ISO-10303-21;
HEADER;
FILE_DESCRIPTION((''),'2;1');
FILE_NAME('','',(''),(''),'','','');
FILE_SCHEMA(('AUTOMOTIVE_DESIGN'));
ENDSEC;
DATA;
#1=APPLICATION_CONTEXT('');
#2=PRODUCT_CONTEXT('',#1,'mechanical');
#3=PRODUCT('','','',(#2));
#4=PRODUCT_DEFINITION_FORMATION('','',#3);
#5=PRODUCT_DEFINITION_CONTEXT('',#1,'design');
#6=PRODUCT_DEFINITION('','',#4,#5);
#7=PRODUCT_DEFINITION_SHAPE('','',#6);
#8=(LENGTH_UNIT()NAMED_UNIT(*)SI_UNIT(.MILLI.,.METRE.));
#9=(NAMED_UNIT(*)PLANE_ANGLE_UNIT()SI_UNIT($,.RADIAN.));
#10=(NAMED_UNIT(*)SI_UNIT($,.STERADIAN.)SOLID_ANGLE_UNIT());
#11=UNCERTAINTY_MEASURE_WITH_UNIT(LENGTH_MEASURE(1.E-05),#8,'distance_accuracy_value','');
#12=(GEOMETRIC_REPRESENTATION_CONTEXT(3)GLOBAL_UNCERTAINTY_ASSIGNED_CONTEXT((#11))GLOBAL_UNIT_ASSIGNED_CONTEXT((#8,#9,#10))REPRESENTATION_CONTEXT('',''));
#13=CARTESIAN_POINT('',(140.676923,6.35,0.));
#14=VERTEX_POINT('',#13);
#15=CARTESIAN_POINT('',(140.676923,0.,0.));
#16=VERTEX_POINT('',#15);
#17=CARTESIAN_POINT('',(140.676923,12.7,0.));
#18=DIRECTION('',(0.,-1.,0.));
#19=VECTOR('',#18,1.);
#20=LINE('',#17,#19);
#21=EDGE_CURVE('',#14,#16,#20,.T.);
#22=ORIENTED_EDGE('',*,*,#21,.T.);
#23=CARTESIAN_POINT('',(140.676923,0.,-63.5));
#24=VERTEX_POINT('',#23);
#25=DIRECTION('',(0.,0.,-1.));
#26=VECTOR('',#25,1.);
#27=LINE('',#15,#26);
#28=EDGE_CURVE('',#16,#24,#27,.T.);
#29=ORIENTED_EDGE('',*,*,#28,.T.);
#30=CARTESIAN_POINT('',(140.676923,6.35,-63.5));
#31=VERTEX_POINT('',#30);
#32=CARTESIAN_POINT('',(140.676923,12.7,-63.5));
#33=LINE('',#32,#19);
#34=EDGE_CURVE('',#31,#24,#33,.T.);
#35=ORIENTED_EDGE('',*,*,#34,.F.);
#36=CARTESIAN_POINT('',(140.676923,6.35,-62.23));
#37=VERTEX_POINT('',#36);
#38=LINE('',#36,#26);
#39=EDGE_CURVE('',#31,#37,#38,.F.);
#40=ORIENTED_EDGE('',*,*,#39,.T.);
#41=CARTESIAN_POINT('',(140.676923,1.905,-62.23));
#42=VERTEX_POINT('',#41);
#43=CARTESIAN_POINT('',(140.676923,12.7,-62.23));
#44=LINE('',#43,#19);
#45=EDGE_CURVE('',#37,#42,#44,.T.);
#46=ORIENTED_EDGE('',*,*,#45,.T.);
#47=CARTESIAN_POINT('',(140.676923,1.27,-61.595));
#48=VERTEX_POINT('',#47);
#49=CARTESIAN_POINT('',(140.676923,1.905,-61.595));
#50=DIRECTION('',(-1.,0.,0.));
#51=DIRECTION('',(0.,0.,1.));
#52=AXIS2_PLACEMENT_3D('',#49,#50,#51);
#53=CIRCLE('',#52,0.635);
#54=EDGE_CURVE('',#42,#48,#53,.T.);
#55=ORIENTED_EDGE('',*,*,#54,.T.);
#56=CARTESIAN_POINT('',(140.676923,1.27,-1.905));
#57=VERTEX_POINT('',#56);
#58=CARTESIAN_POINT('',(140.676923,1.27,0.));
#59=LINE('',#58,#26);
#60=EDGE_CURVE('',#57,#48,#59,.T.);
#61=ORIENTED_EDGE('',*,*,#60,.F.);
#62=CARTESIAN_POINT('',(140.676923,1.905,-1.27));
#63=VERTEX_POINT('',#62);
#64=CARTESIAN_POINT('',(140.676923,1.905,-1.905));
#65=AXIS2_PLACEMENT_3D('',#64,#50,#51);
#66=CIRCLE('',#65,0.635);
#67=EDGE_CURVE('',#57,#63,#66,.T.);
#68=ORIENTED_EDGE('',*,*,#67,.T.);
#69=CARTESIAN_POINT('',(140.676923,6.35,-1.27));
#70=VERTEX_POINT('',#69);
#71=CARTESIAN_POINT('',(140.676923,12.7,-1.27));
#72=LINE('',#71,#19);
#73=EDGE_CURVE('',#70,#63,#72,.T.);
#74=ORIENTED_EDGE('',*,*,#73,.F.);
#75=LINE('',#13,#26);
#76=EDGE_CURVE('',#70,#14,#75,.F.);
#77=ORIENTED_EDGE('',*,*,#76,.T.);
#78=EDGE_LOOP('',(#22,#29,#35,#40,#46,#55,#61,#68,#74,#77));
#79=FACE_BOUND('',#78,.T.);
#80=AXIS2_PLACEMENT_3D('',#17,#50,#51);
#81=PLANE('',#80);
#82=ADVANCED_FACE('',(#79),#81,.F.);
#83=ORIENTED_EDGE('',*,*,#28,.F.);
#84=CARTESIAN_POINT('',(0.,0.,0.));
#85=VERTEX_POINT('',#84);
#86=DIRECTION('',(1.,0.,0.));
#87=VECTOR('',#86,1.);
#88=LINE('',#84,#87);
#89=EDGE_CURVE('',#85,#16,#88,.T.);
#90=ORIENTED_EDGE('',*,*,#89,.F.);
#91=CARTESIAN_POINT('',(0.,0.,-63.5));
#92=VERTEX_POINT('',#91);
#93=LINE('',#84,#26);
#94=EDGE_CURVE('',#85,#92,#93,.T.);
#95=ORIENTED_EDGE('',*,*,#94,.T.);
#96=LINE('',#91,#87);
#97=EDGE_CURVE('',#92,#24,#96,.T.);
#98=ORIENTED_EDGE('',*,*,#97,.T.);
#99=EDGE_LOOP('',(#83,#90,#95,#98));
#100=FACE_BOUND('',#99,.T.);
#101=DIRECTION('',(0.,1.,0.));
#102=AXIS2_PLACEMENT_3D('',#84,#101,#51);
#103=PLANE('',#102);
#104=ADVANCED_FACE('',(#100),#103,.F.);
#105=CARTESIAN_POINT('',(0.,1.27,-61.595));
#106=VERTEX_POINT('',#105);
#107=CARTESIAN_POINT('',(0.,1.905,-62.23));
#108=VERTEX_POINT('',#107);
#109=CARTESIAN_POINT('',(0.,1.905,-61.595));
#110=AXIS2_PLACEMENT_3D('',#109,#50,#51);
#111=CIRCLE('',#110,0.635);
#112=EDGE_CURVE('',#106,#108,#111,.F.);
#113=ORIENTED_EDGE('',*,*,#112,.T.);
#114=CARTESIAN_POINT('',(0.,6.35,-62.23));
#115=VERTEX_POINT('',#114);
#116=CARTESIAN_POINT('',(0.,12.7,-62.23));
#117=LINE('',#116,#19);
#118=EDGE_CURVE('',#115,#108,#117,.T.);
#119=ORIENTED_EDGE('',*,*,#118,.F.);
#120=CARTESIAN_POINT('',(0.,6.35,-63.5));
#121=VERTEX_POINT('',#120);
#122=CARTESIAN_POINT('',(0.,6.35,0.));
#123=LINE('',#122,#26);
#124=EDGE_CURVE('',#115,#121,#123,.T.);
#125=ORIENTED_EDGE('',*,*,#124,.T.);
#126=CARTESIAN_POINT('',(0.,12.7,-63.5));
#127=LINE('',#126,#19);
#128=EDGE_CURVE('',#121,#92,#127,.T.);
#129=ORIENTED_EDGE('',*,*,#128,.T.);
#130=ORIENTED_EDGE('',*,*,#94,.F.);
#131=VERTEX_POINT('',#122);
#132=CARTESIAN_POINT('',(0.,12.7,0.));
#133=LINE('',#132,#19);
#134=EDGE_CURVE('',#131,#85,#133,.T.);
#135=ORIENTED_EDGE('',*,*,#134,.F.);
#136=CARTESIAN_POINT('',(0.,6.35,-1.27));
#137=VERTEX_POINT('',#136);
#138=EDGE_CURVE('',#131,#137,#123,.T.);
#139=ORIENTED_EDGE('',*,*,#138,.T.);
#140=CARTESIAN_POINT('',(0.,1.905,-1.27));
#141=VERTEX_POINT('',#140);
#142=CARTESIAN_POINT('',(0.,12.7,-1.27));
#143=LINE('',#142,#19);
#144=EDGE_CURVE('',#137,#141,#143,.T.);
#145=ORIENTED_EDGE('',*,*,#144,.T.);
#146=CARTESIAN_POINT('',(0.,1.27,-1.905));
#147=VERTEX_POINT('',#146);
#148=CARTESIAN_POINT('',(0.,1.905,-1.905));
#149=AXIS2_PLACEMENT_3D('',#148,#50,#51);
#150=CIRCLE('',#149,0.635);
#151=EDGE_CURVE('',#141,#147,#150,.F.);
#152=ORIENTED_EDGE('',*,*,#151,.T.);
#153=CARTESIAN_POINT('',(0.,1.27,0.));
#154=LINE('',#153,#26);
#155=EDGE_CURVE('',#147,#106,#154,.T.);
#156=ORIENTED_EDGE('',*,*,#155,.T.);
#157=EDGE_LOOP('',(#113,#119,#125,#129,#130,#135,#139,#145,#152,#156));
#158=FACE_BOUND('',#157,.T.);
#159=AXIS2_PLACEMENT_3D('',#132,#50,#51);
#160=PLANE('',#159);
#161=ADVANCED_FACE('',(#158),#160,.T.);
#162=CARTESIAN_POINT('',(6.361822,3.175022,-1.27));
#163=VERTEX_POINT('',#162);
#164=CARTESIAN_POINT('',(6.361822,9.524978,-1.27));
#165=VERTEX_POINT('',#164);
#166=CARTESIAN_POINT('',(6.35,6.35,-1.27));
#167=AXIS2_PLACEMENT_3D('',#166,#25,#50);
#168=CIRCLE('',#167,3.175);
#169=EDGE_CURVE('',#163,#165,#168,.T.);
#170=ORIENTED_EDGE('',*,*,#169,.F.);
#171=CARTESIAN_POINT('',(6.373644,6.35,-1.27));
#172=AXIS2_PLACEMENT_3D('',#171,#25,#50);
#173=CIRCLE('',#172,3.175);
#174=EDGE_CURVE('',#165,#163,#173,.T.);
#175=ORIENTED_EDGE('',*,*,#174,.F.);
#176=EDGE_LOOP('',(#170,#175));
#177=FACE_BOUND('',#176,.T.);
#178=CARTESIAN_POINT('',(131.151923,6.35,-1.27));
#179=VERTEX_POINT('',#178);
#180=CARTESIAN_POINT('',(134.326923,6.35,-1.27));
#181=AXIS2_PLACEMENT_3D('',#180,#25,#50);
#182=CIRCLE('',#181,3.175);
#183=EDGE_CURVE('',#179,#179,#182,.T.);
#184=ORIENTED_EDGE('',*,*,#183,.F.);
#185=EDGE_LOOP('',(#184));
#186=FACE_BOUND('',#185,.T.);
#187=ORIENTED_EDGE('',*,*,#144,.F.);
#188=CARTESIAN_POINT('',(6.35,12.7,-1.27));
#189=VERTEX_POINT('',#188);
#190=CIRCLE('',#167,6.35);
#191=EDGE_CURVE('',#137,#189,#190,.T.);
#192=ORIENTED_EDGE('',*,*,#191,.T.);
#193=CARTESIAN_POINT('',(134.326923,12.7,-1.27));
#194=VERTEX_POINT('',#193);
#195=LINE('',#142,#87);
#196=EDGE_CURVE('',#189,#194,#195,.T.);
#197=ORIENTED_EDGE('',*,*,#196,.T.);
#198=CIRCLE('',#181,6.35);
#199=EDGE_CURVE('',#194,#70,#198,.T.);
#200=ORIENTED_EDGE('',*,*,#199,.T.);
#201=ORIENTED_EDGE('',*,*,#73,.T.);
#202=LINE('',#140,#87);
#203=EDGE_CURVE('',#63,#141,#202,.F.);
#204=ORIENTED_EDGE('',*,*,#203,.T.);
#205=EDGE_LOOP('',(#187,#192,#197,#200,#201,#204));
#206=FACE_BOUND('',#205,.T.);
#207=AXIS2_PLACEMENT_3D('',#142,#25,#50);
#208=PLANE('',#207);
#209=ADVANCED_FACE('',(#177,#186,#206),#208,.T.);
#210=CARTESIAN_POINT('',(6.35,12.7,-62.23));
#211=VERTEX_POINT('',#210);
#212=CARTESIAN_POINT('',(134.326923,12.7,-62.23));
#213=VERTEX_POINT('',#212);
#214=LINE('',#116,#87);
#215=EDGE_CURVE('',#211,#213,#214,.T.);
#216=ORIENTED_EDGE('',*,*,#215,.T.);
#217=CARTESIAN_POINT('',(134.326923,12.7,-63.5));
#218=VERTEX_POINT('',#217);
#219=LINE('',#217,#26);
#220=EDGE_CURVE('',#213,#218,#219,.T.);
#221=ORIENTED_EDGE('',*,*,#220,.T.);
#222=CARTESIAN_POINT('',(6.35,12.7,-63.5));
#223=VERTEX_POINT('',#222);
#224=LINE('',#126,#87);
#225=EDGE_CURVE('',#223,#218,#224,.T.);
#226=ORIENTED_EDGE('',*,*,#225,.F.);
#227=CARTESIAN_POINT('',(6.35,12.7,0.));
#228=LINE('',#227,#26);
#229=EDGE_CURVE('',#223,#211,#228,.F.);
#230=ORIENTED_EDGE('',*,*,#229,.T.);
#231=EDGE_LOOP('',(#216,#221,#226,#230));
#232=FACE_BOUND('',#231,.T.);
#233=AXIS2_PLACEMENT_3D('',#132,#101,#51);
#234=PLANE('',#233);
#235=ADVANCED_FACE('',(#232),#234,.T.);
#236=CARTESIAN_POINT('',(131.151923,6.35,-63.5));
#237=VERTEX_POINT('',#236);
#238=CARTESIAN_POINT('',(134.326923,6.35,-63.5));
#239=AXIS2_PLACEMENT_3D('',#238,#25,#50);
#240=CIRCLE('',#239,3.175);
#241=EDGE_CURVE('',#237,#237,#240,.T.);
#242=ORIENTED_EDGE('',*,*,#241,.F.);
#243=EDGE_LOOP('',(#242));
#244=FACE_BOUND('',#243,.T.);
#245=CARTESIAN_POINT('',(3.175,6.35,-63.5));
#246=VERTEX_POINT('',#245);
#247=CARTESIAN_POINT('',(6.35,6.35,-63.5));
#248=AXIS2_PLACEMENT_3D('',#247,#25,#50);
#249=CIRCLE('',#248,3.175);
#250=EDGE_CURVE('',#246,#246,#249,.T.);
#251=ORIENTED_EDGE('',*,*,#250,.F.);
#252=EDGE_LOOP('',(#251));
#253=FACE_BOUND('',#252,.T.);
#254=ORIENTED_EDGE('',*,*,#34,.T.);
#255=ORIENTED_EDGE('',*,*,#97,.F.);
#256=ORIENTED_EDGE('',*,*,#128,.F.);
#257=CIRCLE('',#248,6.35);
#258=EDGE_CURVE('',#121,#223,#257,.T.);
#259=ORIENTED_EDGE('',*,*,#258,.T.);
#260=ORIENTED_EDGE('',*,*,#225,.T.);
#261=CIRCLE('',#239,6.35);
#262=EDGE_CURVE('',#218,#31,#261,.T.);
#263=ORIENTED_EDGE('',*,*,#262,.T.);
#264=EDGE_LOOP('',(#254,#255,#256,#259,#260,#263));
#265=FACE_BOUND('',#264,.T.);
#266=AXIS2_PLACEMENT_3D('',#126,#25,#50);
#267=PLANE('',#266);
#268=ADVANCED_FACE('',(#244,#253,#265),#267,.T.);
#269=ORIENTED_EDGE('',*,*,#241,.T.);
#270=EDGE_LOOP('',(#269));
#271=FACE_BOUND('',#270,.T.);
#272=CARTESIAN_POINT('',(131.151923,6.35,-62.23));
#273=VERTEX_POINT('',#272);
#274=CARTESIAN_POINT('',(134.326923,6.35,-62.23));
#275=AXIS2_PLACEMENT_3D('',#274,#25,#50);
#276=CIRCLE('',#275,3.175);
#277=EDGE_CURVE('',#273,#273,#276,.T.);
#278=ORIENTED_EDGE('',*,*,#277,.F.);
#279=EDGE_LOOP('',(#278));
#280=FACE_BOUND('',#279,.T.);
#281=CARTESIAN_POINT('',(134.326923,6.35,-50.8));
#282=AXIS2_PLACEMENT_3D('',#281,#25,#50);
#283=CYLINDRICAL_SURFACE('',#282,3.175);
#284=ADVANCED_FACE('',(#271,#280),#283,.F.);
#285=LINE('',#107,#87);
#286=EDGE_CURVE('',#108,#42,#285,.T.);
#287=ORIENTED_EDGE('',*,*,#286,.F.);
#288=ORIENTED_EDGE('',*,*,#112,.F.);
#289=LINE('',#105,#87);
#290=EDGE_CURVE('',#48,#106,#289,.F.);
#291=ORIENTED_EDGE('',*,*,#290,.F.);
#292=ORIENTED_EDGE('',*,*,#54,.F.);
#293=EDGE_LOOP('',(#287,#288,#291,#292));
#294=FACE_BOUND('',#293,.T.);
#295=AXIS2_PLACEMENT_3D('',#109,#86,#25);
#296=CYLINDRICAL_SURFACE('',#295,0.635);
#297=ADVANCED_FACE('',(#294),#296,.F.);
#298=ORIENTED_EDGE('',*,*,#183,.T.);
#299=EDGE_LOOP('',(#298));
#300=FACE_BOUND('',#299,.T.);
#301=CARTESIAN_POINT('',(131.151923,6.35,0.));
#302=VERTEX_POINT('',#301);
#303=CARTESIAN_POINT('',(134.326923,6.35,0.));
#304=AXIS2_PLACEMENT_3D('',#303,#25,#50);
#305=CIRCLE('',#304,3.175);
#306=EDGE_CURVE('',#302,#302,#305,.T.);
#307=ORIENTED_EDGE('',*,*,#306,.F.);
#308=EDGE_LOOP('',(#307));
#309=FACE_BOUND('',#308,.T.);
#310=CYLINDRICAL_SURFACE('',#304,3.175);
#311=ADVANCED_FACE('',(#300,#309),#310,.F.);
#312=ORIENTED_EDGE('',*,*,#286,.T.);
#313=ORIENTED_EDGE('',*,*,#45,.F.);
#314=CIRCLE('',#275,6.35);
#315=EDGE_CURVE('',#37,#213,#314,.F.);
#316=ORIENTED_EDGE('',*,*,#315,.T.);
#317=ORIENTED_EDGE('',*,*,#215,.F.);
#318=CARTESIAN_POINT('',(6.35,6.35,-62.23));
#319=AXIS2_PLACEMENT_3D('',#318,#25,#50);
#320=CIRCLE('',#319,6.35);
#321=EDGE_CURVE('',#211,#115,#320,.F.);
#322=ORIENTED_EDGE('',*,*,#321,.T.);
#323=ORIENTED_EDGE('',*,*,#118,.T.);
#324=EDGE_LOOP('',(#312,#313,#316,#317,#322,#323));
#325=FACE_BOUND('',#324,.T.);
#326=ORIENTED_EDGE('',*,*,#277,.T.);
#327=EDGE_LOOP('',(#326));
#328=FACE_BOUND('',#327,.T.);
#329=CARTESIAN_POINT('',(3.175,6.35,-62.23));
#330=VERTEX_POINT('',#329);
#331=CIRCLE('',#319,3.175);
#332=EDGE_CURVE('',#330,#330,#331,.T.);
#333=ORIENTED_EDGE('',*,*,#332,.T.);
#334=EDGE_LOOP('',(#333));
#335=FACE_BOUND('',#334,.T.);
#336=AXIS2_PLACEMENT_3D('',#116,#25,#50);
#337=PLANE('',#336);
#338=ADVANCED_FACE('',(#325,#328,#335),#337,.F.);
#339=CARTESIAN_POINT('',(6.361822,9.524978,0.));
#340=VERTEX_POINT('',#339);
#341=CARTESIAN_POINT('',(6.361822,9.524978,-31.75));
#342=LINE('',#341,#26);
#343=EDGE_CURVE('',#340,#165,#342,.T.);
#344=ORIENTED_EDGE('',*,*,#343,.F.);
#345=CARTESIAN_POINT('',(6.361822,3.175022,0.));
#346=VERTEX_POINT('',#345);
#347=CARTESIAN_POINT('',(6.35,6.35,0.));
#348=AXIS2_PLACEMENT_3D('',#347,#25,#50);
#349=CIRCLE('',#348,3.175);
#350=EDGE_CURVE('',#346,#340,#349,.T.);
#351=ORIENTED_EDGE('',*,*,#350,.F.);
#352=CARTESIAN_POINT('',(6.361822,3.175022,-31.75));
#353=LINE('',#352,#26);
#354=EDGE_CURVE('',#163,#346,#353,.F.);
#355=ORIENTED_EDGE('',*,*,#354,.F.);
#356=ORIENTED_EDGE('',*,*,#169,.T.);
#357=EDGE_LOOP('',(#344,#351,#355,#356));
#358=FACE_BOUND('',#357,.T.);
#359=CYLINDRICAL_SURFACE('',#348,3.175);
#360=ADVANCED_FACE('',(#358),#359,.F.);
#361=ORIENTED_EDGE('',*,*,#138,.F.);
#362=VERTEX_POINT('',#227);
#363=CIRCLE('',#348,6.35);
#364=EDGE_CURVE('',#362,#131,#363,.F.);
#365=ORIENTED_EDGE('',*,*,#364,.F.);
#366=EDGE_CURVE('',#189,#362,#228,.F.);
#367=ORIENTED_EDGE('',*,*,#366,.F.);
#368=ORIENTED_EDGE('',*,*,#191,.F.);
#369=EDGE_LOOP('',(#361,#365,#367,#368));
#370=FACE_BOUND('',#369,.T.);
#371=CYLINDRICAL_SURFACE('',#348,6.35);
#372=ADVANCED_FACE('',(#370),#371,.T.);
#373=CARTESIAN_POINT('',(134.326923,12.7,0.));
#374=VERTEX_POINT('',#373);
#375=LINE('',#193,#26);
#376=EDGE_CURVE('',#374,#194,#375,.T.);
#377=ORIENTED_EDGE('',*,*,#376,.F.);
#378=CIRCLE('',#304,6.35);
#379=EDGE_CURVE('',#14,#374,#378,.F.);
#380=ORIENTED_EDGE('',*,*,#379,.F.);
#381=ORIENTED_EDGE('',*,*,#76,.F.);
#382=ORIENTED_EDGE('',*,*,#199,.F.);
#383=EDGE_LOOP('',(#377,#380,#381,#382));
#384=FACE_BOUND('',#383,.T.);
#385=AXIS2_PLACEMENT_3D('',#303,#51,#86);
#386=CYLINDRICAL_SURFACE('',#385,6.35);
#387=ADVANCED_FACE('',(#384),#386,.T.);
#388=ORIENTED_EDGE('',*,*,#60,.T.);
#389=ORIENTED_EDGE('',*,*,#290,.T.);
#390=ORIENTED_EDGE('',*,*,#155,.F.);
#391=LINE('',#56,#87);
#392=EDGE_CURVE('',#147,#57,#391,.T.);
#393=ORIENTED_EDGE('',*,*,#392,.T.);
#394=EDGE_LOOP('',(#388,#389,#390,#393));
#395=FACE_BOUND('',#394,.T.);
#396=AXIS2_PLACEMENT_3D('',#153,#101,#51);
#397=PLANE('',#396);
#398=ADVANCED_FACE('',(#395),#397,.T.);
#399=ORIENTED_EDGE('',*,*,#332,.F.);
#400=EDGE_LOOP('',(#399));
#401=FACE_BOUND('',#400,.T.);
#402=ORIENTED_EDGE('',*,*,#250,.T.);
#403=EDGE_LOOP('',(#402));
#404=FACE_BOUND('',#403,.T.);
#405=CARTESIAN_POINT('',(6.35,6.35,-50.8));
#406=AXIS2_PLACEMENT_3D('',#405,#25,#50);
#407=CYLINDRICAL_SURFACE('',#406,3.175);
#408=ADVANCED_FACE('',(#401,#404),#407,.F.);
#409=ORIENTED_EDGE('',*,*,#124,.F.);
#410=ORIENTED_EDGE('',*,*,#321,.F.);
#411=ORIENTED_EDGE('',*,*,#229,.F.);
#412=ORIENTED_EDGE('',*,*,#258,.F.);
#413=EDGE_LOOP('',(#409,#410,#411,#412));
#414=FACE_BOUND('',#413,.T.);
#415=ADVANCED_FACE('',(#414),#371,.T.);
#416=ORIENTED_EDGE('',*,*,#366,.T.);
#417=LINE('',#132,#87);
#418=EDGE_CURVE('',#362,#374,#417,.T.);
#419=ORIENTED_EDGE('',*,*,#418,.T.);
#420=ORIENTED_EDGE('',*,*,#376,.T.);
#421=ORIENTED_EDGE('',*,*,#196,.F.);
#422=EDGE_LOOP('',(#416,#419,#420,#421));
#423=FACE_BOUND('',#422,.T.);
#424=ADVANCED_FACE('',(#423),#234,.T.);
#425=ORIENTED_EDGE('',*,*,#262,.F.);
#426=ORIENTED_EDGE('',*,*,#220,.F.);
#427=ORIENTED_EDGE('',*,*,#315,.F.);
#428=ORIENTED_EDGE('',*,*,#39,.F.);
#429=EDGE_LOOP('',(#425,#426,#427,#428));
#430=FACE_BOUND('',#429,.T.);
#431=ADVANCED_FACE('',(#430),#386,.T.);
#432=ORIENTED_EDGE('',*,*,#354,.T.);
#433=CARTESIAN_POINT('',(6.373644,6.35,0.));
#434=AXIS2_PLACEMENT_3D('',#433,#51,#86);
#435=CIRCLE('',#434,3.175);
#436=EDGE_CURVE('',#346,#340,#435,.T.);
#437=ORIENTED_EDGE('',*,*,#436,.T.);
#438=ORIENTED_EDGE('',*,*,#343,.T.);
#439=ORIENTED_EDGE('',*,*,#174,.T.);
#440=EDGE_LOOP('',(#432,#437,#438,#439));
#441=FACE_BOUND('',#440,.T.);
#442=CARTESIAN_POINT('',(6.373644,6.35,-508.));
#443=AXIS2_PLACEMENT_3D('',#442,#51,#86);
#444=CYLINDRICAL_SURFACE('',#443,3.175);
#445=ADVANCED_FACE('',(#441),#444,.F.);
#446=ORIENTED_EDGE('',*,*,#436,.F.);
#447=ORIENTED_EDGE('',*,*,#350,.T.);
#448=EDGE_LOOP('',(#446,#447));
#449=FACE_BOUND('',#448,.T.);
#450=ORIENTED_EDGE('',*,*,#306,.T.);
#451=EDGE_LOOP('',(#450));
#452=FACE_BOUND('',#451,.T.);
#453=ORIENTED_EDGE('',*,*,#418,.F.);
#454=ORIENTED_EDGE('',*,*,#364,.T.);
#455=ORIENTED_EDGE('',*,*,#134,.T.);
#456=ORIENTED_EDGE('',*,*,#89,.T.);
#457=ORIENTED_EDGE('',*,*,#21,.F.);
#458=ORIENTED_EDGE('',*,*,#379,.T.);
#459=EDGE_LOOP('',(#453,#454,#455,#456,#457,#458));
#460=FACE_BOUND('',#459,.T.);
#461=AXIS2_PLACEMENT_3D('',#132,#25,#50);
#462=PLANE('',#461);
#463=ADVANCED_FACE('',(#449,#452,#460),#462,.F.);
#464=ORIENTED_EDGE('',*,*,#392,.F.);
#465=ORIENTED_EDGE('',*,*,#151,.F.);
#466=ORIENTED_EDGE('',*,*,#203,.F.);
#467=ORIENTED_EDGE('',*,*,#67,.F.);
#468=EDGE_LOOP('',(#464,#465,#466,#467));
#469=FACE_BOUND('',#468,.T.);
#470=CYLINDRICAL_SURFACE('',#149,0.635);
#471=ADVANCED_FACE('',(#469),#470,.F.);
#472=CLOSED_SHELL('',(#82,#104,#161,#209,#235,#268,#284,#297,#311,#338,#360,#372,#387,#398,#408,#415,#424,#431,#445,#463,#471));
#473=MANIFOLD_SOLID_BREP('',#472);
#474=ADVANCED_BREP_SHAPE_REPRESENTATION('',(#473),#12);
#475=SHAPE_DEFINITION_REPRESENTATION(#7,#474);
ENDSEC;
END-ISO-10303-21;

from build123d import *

# Parameters (mm, degrees)
SKETCH1_W           = 140.676923077
SKETCH1_H           = 1.27
BOSS_EXTRUDE1_DEPTH = 12.7
SKETCH1_3_W         = 140.676923077
SKETCH1_3_H         = 60.96
BOSS_EXTRUDE2_DEPTH = 1.27
SKETCH2_R           = 3.175
CUT_EXTRUDE1_DEPTH  = 508
SKETCH1_5_W         = 140.676923077
SKETCH1_5_H         = 1.27
BOSS_EXTRUDE3_DEPTH = 12.7
SKETCH3_R           = 3.175
CUT_EXTRUDE2_DEPTH  = 12.7
FILLET1_R           = 6.35
FILLET2_R           = 0.635
SKETCH3_2_R         = 3.175
CUT_EXTRUDE3_DEPTH  = 155.866189617


with BuildPart() as part:
    # Sketch1 → Boss-Extrude1 (new body)
    with BuildSketch(Plane(origin=(0, 0, 0), x_dir=(1, 0, 0), z_dir=(0, 1, 0))):
        with Locations((70.338461538, 0.635)):
            Rectangle(SKETCH1_W, SKETCH1_H)
    extrude(amount=BOSS_EXTRUDE1_DEPTH)

    # Sketch1<3> → Boss-Extrude2 (add)
    with BuildSketch(Plane(origin=(0, 0, 0), x_dir=(1, 0, 0), z_dir=(0, 1, 0))):
        with Locations((70.338461538, 31.75)):
            Rectangle(SKETCH1_3_W, SKETCH1_3_H)
    extrude(amount=BOSS_EXTRUDE2_DEPTH)

    # Sketch2 → Cut-Extrude1 (cut)
    with BuildSketch(Plane.XY):
        with Locations((6.37364392, 6.35)):
            Circle(SKETCH2_R)
        with Locations((146.05, 6.35)):
            Circle(SKETCH2_R)
    extrude(amount=-CUT_EXTRUDE1_DEPTH, mode=Mode.SUBTRACT)

    # Sketch1<5> → Boss-Extrude3 (add)
    with BuildSketch(Plane(origin=(0, 0, 0), x_dir=(1, 0, 0), z_dir=(0, 1, 0))):
        with Locations((70.338461538, 62.865)):
            Rectangle(SKETCH1_5_W, SKETCH1_5_H)
    extrude(amount=BOSS_EXTRUDE3_DEPTH)

    # Sketch3 → Cut-Extrude2 (cut)
    with BuildSketch(Plane(origin=(0, 0, -63.5), x_dir=(-1, 0, 0), z_dir=(0, 0, -1))):
        with Locations((-6.35, 6.35)):
            Circle(SKETCH3_R)
        with Locations((-146.05, 6.35)):
            Circle(SKETCH3_R)
        with Locations((-134.326923077, 6.35)):
            Circle(SKETCH3_R)
    extrude(amount=-CUT_EXTRUDE2_DEPTH, mode=Mode.SUBTRACT)

    # Fillet1
    fillet1_edges = [part.edges().sort_by_distance(p)[0] for p in [
        (0, 12.7, -0.635),
        (140.676923077, 12.7, -0.635),
        (0, 12.7, -62.865),
        (140.676923077, 12.7, -62.865),
    ]]
    fillet(fillet1_edges, radius=FILLET1_R)

    # Fillet2
    fillet2_edges = [part.edges().sort_by_distance(p)[0] for p in [
        (70.338461538, 1.27, -62.23),
        (70.338461538, 1.27, -1.27),
    ]]
    fillet(fillet2_edges, radius=FILLET2_R)

    # Sketch3<2> → Cut-Extrude3 (cut, through all)
    with BuildSketch(Plane(origin=(0, 0, -63.5), x_dir=(-1, 0, 0), z_dir=(0, 0, -1))):
        with Locations((-6.35, 6.35)):
            Circle(SKETCH3_2_R)
        with Locations((-146.05, 6.35)):
            Circle(SKETCH3_2_R)
        with Locations((-134.326923077, 6.35)):
            Circle(SKETCH3_2_R)
    extrude(amount=-CUT_EXTRUDE3_DEPTH, mode=Mode.SUBTRACT)


solid = part.part
